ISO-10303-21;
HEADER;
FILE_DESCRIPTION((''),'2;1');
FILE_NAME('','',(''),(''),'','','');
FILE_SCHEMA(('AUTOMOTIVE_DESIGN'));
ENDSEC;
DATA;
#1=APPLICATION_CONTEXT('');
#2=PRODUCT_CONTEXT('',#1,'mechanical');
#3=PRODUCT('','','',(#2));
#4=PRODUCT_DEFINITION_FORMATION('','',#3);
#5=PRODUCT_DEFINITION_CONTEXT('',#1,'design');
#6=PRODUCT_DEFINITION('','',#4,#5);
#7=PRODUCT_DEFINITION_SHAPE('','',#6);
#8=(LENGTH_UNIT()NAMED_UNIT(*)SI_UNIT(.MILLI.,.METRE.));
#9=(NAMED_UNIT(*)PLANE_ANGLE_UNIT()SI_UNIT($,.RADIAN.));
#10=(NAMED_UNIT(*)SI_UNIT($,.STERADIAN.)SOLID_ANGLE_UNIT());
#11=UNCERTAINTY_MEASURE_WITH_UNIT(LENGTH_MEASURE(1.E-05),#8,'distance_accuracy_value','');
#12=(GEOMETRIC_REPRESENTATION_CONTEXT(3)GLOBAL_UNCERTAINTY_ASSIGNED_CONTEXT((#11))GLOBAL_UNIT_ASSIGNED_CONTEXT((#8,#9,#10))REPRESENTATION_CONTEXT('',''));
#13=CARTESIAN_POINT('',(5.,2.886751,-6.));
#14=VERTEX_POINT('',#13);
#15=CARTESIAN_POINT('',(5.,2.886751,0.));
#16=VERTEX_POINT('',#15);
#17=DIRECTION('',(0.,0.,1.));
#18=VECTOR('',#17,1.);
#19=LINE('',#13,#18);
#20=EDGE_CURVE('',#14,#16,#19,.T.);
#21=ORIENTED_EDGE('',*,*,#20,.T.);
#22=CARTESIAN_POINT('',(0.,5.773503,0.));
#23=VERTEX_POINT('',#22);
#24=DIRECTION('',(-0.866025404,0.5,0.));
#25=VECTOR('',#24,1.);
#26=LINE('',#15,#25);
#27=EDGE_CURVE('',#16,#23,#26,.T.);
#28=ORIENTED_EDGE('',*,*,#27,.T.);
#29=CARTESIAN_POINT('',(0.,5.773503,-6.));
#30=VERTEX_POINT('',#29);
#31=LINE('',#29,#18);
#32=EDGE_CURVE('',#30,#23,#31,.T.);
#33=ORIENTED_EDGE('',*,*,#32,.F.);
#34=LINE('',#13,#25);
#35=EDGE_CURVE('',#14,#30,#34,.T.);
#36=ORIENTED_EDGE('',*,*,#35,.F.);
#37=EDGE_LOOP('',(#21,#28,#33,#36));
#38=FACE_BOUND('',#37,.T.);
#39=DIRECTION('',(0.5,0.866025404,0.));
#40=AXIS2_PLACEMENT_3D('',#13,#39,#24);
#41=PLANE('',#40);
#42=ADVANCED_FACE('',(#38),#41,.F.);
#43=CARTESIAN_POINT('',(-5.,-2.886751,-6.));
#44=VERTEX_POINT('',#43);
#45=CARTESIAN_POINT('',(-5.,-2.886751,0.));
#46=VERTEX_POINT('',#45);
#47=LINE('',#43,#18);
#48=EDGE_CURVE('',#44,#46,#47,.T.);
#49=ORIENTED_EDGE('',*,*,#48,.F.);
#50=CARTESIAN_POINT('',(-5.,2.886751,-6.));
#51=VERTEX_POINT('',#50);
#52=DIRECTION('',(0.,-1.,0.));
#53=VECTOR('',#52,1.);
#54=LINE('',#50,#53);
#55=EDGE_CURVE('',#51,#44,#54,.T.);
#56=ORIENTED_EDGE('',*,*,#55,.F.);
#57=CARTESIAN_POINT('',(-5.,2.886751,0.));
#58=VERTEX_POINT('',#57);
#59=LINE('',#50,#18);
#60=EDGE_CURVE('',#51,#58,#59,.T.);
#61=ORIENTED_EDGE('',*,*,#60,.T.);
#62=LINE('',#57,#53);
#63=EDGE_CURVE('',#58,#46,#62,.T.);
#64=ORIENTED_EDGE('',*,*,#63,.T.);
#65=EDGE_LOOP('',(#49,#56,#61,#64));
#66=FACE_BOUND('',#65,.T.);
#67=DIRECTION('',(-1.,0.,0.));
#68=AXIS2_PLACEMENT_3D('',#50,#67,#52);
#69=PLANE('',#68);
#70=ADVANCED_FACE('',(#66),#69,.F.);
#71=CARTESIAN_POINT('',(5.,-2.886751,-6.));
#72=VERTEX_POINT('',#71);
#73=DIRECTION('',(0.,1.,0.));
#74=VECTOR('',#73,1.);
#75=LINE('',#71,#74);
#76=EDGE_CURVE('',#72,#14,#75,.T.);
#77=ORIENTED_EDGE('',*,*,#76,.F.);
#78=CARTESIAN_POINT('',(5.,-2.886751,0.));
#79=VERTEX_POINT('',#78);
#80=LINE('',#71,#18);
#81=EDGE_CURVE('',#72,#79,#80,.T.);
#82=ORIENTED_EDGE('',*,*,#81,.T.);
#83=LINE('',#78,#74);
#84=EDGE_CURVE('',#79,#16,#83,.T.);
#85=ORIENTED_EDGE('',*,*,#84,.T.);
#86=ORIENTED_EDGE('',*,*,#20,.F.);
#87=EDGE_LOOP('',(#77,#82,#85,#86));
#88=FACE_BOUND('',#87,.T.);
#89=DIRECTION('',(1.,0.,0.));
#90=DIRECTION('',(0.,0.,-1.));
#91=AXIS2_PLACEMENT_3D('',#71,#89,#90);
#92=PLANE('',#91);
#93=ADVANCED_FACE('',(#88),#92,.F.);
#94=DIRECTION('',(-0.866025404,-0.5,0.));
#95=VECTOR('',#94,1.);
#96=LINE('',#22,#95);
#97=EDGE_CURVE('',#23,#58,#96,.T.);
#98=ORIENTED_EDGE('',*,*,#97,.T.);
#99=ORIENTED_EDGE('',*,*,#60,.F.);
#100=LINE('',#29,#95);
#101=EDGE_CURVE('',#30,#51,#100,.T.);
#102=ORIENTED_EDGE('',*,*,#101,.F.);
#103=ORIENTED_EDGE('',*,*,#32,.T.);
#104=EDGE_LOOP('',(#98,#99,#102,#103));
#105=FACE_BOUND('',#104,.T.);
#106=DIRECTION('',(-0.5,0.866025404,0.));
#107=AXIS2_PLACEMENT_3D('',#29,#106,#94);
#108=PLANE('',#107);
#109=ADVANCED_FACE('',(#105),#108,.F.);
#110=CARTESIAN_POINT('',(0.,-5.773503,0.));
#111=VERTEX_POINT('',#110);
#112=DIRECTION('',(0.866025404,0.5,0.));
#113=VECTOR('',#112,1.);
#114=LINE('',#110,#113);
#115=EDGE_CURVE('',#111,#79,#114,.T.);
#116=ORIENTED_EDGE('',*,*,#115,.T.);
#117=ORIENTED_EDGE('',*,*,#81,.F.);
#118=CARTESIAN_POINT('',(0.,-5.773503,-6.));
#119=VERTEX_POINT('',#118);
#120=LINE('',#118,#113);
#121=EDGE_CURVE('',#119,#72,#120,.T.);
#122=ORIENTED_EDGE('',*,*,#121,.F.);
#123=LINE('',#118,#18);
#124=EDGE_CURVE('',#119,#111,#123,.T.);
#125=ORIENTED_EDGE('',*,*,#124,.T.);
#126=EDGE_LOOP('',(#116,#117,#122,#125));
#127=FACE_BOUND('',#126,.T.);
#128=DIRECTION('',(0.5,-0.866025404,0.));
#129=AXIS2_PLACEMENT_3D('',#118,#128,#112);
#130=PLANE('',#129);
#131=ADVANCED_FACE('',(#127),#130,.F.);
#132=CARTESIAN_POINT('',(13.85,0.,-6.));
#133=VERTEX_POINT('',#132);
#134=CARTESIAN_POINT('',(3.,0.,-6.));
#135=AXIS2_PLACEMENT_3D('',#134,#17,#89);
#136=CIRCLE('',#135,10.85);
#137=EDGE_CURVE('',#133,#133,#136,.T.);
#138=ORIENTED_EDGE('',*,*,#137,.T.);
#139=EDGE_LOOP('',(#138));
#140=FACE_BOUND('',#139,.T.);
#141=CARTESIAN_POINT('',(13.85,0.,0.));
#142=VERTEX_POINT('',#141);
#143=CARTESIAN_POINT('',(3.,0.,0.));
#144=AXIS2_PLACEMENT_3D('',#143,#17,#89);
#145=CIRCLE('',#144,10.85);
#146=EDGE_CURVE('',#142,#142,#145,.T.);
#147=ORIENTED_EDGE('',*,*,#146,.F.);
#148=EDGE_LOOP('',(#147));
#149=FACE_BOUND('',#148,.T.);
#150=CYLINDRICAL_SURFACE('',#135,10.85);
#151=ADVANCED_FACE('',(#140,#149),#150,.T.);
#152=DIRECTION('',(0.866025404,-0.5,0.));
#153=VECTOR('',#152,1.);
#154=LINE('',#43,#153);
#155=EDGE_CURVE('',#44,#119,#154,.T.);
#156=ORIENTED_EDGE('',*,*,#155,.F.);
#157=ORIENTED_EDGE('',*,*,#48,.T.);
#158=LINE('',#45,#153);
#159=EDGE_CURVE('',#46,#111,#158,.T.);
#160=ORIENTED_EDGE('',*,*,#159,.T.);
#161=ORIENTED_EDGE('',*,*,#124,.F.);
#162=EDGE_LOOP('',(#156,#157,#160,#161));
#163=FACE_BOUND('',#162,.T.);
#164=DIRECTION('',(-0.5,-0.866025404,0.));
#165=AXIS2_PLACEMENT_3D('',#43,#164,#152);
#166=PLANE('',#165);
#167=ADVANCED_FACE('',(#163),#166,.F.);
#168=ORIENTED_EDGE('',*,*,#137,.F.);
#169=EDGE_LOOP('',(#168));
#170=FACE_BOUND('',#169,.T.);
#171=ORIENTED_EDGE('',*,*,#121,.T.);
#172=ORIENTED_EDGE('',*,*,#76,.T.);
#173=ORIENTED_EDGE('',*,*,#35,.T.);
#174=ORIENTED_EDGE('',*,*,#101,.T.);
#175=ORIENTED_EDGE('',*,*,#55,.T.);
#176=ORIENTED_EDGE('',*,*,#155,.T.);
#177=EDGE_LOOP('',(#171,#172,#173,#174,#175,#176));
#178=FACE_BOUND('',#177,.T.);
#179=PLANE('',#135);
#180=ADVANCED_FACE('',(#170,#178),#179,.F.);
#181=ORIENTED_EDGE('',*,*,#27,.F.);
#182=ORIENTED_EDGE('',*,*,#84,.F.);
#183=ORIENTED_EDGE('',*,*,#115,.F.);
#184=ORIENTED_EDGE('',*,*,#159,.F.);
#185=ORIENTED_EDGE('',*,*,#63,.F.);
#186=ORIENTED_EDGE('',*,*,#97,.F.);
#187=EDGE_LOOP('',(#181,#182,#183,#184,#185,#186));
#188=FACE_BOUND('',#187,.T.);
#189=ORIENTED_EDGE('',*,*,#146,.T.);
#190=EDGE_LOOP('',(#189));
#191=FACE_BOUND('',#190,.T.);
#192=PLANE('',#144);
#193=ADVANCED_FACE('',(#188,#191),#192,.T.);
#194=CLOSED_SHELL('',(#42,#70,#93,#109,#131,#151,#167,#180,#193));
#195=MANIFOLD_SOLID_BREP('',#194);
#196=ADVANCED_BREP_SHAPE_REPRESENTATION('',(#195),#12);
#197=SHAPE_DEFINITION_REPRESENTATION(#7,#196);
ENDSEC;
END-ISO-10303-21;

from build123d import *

# Parameters (mm, degrees)
SKETCH1_R           = 10.85
BOSS_EXTRUDE1_DEPTH = 6


with BuildPart() as part:
    # Sketch1 → Boss-Extrude1 (new body)
    with BuildSketch(Plane.XY):
        with Locations((3, 0)):
            Circle(SKETCH1_R)
        Polygon((0, 5.773502692), (-5, 2.886751346), (-5, -2.886751346), (0, -5.773502692), (5, -2.886751346), (5, 2.886751346), align=None, mode=Mode.SUBTRACT)
    extrude(amount=-BOSS_EXTRUDE1_DEPTH)


solid = part.part
